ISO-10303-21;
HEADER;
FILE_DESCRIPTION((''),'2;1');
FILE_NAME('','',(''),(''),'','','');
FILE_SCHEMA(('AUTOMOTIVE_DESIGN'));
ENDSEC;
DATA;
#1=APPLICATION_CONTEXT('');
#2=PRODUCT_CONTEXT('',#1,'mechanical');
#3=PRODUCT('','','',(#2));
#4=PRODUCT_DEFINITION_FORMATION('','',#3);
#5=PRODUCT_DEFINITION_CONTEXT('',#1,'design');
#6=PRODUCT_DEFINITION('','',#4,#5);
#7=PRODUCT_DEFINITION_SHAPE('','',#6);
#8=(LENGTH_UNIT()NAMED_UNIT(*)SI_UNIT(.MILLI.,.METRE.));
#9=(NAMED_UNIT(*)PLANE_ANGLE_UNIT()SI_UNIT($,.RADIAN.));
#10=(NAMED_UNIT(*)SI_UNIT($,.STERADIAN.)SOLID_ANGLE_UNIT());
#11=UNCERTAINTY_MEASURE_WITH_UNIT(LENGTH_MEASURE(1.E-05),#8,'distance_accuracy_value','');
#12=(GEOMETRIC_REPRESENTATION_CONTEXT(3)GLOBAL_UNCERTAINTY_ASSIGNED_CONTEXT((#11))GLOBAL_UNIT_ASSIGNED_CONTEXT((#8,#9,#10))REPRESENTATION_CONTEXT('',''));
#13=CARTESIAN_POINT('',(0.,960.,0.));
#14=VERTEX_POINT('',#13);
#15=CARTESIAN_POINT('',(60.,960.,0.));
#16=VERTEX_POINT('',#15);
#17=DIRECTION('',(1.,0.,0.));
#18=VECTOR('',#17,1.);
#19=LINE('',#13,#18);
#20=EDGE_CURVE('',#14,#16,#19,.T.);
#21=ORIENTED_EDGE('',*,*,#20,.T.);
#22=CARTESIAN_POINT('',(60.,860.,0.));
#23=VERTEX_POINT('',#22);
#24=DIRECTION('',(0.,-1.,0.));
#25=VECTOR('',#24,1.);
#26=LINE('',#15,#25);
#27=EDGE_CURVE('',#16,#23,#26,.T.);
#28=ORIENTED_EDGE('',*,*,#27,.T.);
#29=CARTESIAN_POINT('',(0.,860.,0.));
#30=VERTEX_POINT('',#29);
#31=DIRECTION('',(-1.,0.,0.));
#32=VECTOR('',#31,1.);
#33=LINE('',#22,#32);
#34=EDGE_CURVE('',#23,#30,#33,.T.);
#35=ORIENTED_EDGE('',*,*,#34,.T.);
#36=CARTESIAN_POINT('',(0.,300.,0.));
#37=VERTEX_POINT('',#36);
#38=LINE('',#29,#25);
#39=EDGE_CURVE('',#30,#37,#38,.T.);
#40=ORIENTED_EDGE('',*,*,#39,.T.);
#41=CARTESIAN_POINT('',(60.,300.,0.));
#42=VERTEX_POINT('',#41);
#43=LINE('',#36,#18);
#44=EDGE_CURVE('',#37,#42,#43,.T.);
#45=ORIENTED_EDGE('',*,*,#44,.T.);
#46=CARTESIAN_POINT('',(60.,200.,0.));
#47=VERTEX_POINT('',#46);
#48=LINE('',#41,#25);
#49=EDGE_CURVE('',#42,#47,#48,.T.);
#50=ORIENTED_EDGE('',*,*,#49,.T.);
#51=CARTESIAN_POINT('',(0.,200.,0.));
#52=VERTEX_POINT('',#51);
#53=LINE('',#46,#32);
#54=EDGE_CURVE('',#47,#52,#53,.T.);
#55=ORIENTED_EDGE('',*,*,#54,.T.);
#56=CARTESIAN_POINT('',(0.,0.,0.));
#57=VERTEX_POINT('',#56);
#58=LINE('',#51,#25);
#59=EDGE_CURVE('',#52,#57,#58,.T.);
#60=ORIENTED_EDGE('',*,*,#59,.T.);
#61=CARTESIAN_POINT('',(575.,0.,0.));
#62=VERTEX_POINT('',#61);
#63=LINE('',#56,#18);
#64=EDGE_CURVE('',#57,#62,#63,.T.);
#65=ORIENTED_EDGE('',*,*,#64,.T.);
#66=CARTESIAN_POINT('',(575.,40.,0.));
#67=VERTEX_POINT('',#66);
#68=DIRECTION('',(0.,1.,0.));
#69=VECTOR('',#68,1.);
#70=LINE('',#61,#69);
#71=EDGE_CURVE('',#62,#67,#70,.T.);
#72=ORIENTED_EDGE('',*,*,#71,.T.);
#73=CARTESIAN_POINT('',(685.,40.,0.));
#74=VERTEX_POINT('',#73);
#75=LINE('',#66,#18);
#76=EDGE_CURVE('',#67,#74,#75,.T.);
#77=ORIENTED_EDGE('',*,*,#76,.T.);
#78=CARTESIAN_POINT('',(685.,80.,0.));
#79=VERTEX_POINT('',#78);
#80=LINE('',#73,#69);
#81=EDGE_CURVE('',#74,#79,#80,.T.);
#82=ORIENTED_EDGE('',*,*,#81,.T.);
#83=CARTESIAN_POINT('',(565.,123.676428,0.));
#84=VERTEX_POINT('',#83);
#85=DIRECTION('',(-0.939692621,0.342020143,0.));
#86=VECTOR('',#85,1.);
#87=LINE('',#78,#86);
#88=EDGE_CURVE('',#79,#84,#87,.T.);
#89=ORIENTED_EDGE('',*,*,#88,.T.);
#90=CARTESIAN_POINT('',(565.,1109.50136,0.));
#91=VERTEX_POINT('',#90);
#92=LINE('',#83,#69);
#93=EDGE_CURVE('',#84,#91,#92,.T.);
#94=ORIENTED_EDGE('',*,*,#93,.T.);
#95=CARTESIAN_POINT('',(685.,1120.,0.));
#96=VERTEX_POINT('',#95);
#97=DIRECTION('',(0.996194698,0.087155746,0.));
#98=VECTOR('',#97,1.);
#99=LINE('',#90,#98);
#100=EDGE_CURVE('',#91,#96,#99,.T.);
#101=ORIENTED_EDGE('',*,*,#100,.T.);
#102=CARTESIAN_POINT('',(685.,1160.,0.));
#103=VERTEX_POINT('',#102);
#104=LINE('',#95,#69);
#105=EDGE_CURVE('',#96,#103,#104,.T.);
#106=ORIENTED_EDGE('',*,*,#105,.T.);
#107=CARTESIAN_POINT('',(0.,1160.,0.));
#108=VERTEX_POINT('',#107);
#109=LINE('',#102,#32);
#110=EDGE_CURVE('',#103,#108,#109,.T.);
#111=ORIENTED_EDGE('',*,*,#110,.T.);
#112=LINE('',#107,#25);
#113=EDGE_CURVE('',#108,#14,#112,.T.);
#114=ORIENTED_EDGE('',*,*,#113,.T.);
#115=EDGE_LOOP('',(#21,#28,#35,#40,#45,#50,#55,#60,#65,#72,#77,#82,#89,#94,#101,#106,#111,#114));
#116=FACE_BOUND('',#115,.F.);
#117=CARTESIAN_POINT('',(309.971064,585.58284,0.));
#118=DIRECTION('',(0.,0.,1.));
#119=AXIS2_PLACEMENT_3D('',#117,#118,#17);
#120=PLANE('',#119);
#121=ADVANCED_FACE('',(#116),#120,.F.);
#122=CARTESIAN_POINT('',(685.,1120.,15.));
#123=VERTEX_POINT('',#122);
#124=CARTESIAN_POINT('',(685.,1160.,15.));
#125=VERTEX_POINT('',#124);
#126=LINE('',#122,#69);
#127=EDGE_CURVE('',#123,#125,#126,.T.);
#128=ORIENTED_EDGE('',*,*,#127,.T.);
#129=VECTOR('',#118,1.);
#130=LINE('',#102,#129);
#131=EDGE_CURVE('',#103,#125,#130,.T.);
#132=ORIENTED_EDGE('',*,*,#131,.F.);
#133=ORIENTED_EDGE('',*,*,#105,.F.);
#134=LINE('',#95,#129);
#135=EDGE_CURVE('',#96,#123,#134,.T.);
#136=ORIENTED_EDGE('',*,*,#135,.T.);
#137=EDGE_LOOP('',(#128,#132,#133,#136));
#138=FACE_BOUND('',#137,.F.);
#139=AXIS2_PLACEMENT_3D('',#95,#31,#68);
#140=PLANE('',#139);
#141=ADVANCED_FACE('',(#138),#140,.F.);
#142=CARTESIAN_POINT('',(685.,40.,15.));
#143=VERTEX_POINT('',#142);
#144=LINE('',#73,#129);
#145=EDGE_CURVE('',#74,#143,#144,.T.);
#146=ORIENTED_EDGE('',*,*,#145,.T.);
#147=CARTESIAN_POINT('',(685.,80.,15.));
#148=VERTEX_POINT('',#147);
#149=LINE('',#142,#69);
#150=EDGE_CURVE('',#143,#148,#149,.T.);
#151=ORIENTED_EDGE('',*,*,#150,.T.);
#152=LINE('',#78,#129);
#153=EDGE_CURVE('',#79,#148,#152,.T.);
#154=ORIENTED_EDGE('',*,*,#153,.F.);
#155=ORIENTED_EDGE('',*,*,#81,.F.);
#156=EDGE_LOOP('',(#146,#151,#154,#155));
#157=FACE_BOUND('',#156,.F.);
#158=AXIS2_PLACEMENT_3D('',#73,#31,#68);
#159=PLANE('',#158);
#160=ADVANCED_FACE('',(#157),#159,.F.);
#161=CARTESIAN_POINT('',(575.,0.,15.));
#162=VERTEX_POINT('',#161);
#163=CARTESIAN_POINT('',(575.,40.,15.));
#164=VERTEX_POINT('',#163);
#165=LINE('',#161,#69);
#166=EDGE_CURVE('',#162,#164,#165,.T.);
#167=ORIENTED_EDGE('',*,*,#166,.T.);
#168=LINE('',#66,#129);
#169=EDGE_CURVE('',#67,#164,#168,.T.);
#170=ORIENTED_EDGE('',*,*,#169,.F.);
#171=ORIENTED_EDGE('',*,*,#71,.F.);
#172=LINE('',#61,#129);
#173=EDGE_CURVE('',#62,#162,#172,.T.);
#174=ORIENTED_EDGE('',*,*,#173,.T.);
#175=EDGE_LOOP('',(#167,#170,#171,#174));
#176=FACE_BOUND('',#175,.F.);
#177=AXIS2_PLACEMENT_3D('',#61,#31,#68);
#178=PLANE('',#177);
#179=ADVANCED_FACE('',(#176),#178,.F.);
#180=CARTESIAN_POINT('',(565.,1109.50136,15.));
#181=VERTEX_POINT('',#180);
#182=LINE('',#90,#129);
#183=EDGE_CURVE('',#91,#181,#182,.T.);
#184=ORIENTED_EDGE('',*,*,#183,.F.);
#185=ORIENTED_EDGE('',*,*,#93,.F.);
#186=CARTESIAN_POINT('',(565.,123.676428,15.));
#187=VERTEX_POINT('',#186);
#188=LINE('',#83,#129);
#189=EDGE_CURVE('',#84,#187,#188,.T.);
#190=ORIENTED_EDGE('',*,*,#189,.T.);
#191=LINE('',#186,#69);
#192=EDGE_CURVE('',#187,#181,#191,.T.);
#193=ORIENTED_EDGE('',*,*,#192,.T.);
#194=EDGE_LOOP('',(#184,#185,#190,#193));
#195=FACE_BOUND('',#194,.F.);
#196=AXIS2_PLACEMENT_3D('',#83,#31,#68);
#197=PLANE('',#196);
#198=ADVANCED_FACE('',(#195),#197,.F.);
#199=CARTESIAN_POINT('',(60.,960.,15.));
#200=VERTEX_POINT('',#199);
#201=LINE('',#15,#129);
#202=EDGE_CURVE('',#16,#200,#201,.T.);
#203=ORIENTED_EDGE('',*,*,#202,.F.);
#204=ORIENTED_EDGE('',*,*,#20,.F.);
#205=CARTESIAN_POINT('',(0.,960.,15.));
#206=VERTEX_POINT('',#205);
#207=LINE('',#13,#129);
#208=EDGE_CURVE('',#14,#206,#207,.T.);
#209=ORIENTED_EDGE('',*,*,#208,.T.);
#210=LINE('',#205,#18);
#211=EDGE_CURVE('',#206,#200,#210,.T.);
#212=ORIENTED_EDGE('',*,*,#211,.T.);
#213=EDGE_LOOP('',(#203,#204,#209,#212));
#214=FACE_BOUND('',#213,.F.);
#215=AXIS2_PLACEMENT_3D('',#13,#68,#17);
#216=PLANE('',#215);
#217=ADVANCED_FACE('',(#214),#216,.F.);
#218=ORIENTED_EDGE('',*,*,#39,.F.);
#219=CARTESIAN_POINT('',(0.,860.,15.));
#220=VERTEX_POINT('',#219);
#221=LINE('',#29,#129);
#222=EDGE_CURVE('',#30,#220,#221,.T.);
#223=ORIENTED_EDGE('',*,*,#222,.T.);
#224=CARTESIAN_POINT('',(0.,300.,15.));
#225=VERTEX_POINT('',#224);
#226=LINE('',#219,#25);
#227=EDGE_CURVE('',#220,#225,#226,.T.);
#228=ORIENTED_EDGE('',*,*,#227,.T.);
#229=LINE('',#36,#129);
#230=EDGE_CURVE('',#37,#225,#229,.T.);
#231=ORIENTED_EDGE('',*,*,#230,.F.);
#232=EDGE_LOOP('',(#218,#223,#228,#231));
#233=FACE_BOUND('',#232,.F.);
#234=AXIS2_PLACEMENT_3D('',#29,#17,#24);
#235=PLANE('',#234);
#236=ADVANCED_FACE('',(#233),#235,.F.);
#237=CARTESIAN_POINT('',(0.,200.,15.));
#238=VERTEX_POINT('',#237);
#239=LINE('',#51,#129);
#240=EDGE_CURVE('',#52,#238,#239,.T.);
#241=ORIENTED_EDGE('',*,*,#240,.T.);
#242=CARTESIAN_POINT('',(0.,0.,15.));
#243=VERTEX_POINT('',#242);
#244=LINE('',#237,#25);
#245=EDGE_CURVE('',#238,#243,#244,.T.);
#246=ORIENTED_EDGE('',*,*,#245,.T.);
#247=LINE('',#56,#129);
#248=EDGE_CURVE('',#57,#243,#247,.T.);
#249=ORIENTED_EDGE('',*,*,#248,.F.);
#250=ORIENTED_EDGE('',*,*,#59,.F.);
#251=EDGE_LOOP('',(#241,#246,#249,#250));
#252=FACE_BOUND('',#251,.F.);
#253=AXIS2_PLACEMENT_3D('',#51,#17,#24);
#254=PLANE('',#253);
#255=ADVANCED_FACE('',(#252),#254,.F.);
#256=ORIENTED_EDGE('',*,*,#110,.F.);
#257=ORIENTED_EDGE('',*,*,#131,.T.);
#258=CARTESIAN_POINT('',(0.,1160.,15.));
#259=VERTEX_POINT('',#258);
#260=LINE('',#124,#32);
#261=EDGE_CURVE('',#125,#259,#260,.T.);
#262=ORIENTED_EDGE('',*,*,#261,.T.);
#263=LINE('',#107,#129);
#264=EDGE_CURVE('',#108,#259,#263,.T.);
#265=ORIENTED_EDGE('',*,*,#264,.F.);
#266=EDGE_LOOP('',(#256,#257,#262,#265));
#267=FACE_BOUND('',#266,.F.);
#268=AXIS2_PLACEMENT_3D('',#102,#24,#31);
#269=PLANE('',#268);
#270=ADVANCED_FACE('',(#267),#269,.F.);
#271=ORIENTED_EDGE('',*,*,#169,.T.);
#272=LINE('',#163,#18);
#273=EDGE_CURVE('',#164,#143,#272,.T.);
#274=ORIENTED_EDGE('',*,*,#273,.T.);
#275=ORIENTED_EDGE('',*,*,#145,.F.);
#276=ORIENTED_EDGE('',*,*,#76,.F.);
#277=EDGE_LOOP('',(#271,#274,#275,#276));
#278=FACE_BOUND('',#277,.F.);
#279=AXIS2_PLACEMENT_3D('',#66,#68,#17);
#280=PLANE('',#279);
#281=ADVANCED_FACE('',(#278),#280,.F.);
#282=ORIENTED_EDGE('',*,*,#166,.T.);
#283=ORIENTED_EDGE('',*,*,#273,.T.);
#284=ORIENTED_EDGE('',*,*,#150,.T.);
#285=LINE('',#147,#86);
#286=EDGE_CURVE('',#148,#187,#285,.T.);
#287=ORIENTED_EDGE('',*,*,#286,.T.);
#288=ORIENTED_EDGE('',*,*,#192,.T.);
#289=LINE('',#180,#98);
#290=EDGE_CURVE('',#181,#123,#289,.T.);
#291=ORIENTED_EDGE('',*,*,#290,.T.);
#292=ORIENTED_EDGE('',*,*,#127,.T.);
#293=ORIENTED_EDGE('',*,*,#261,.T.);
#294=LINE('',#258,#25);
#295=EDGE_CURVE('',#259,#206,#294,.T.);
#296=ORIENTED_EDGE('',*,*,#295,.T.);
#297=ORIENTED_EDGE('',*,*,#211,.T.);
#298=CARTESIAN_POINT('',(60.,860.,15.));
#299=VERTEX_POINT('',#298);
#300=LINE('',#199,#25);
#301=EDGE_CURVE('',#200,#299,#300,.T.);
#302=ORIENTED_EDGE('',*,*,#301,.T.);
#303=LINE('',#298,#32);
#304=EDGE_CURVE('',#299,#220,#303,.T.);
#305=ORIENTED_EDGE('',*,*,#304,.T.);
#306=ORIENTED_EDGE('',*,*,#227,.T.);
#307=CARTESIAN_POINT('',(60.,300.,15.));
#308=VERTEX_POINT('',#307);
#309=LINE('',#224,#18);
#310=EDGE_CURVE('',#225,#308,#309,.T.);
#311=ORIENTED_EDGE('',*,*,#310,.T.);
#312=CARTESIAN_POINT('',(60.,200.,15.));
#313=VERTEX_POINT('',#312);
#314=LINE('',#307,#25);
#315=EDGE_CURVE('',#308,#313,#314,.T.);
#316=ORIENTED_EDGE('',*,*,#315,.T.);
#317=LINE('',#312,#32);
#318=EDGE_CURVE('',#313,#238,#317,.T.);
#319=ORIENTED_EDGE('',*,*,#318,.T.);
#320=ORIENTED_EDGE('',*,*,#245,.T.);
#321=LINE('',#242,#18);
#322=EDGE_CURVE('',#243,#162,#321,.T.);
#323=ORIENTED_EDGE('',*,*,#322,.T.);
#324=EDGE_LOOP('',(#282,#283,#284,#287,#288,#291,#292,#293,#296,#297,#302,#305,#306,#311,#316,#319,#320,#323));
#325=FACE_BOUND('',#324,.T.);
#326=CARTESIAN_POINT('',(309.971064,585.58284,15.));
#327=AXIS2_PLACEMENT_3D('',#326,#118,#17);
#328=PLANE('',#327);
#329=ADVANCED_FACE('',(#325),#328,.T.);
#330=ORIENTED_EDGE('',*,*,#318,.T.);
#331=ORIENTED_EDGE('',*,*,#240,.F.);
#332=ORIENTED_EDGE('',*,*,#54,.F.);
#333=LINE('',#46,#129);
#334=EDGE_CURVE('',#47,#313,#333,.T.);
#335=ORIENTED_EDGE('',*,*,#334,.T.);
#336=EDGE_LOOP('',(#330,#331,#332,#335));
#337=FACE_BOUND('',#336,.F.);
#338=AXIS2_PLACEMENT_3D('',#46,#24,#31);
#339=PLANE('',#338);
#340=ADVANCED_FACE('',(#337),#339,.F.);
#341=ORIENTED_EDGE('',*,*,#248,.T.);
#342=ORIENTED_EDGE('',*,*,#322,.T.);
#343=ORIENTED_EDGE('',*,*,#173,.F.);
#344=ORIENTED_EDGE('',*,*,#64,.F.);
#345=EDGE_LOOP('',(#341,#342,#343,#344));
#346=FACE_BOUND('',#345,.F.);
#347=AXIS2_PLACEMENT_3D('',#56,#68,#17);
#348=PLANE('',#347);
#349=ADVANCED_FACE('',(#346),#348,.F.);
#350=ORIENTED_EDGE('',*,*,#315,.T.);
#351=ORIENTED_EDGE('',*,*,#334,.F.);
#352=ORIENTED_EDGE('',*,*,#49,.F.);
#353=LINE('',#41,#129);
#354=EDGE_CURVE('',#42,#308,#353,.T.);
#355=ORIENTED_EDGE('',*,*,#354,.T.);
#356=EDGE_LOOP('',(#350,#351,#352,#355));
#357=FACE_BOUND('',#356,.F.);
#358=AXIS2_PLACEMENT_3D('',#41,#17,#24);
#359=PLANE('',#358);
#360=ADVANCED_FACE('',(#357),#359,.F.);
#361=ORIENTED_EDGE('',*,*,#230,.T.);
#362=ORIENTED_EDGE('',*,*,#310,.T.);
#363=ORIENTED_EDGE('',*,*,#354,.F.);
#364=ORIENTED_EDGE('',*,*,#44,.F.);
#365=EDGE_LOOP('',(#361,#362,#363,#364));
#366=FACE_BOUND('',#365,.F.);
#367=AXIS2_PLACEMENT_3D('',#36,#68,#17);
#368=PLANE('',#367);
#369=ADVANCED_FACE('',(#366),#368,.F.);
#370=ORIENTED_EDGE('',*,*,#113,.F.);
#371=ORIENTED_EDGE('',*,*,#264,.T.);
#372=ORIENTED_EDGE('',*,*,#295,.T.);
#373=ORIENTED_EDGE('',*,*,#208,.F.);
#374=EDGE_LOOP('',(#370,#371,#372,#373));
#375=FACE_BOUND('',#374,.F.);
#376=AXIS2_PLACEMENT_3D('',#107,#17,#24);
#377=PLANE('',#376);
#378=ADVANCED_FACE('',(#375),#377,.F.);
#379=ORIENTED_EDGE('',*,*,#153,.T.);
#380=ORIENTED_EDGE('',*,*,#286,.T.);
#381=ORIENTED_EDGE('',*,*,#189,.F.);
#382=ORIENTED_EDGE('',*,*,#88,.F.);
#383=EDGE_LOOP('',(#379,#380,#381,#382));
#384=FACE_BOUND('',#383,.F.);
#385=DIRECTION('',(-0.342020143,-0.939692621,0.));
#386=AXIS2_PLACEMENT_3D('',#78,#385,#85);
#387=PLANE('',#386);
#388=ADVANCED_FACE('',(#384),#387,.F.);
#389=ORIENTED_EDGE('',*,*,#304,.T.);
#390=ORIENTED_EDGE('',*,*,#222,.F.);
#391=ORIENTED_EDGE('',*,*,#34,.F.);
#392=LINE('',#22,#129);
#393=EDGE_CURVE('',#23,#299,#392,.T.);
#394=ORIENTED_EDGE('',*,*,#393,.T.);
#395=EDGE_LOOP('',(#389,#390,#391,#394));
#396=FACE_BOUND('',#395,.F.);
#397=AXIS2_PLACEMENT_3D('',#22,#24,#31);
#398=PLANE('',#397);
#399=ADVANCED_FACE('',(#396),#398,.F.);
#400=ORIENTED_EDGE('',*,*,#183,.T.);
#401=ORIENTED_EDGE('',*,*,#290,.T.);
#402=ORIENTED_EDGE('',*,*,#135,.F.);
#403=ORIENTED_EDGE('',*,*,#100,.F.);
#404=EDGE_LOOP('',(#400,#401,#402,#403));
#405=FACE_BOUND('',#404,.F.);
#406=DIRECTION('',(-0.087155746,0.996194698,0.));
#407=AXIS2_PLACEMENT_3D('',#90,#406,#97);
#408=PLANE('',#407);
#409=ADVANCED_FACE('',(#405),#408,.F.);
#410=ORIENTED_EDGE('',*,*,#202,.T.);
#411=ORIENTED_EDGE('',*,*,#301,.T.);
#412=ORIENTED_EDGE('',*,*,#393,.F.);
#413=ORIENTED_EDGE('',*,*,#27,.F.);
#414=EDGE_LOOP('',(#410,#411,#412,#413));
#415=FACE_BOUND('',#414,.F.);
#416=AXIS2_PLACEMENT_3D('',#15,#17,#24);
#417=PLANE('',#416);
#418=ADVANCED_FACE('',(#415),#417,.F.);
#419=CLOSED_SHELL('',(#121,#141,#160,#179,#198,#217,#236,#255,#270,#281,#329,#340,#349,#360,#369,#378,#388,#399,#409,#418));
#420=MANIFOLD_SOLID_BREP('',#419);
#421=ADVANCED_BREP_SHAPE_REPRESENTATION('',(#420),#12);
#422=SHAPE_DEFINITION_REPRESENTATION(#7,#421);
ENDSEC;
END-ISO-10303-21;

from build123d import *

# Parameters (mm, degrees)
F1_DEPTH = 15


with BuildPart() as f1:
    # F0 (on Top) → F1 (new body)
    with BuildSketch(Plane.XY):
        Polygon((0, 200), (0, 0), (575, 0), (575, 40), (685, 40), (685, 80), (565, 123.676428), (565, 1109.50136), (685, 1120), (685, 1160), (0, 1160), (0, 960), (60, 960), (60, 860), (0, 860), (0, 300), (60, 300), (60, 200), align=None)
    extrude(amount=F1_DEPTH)


solid = f1.part
